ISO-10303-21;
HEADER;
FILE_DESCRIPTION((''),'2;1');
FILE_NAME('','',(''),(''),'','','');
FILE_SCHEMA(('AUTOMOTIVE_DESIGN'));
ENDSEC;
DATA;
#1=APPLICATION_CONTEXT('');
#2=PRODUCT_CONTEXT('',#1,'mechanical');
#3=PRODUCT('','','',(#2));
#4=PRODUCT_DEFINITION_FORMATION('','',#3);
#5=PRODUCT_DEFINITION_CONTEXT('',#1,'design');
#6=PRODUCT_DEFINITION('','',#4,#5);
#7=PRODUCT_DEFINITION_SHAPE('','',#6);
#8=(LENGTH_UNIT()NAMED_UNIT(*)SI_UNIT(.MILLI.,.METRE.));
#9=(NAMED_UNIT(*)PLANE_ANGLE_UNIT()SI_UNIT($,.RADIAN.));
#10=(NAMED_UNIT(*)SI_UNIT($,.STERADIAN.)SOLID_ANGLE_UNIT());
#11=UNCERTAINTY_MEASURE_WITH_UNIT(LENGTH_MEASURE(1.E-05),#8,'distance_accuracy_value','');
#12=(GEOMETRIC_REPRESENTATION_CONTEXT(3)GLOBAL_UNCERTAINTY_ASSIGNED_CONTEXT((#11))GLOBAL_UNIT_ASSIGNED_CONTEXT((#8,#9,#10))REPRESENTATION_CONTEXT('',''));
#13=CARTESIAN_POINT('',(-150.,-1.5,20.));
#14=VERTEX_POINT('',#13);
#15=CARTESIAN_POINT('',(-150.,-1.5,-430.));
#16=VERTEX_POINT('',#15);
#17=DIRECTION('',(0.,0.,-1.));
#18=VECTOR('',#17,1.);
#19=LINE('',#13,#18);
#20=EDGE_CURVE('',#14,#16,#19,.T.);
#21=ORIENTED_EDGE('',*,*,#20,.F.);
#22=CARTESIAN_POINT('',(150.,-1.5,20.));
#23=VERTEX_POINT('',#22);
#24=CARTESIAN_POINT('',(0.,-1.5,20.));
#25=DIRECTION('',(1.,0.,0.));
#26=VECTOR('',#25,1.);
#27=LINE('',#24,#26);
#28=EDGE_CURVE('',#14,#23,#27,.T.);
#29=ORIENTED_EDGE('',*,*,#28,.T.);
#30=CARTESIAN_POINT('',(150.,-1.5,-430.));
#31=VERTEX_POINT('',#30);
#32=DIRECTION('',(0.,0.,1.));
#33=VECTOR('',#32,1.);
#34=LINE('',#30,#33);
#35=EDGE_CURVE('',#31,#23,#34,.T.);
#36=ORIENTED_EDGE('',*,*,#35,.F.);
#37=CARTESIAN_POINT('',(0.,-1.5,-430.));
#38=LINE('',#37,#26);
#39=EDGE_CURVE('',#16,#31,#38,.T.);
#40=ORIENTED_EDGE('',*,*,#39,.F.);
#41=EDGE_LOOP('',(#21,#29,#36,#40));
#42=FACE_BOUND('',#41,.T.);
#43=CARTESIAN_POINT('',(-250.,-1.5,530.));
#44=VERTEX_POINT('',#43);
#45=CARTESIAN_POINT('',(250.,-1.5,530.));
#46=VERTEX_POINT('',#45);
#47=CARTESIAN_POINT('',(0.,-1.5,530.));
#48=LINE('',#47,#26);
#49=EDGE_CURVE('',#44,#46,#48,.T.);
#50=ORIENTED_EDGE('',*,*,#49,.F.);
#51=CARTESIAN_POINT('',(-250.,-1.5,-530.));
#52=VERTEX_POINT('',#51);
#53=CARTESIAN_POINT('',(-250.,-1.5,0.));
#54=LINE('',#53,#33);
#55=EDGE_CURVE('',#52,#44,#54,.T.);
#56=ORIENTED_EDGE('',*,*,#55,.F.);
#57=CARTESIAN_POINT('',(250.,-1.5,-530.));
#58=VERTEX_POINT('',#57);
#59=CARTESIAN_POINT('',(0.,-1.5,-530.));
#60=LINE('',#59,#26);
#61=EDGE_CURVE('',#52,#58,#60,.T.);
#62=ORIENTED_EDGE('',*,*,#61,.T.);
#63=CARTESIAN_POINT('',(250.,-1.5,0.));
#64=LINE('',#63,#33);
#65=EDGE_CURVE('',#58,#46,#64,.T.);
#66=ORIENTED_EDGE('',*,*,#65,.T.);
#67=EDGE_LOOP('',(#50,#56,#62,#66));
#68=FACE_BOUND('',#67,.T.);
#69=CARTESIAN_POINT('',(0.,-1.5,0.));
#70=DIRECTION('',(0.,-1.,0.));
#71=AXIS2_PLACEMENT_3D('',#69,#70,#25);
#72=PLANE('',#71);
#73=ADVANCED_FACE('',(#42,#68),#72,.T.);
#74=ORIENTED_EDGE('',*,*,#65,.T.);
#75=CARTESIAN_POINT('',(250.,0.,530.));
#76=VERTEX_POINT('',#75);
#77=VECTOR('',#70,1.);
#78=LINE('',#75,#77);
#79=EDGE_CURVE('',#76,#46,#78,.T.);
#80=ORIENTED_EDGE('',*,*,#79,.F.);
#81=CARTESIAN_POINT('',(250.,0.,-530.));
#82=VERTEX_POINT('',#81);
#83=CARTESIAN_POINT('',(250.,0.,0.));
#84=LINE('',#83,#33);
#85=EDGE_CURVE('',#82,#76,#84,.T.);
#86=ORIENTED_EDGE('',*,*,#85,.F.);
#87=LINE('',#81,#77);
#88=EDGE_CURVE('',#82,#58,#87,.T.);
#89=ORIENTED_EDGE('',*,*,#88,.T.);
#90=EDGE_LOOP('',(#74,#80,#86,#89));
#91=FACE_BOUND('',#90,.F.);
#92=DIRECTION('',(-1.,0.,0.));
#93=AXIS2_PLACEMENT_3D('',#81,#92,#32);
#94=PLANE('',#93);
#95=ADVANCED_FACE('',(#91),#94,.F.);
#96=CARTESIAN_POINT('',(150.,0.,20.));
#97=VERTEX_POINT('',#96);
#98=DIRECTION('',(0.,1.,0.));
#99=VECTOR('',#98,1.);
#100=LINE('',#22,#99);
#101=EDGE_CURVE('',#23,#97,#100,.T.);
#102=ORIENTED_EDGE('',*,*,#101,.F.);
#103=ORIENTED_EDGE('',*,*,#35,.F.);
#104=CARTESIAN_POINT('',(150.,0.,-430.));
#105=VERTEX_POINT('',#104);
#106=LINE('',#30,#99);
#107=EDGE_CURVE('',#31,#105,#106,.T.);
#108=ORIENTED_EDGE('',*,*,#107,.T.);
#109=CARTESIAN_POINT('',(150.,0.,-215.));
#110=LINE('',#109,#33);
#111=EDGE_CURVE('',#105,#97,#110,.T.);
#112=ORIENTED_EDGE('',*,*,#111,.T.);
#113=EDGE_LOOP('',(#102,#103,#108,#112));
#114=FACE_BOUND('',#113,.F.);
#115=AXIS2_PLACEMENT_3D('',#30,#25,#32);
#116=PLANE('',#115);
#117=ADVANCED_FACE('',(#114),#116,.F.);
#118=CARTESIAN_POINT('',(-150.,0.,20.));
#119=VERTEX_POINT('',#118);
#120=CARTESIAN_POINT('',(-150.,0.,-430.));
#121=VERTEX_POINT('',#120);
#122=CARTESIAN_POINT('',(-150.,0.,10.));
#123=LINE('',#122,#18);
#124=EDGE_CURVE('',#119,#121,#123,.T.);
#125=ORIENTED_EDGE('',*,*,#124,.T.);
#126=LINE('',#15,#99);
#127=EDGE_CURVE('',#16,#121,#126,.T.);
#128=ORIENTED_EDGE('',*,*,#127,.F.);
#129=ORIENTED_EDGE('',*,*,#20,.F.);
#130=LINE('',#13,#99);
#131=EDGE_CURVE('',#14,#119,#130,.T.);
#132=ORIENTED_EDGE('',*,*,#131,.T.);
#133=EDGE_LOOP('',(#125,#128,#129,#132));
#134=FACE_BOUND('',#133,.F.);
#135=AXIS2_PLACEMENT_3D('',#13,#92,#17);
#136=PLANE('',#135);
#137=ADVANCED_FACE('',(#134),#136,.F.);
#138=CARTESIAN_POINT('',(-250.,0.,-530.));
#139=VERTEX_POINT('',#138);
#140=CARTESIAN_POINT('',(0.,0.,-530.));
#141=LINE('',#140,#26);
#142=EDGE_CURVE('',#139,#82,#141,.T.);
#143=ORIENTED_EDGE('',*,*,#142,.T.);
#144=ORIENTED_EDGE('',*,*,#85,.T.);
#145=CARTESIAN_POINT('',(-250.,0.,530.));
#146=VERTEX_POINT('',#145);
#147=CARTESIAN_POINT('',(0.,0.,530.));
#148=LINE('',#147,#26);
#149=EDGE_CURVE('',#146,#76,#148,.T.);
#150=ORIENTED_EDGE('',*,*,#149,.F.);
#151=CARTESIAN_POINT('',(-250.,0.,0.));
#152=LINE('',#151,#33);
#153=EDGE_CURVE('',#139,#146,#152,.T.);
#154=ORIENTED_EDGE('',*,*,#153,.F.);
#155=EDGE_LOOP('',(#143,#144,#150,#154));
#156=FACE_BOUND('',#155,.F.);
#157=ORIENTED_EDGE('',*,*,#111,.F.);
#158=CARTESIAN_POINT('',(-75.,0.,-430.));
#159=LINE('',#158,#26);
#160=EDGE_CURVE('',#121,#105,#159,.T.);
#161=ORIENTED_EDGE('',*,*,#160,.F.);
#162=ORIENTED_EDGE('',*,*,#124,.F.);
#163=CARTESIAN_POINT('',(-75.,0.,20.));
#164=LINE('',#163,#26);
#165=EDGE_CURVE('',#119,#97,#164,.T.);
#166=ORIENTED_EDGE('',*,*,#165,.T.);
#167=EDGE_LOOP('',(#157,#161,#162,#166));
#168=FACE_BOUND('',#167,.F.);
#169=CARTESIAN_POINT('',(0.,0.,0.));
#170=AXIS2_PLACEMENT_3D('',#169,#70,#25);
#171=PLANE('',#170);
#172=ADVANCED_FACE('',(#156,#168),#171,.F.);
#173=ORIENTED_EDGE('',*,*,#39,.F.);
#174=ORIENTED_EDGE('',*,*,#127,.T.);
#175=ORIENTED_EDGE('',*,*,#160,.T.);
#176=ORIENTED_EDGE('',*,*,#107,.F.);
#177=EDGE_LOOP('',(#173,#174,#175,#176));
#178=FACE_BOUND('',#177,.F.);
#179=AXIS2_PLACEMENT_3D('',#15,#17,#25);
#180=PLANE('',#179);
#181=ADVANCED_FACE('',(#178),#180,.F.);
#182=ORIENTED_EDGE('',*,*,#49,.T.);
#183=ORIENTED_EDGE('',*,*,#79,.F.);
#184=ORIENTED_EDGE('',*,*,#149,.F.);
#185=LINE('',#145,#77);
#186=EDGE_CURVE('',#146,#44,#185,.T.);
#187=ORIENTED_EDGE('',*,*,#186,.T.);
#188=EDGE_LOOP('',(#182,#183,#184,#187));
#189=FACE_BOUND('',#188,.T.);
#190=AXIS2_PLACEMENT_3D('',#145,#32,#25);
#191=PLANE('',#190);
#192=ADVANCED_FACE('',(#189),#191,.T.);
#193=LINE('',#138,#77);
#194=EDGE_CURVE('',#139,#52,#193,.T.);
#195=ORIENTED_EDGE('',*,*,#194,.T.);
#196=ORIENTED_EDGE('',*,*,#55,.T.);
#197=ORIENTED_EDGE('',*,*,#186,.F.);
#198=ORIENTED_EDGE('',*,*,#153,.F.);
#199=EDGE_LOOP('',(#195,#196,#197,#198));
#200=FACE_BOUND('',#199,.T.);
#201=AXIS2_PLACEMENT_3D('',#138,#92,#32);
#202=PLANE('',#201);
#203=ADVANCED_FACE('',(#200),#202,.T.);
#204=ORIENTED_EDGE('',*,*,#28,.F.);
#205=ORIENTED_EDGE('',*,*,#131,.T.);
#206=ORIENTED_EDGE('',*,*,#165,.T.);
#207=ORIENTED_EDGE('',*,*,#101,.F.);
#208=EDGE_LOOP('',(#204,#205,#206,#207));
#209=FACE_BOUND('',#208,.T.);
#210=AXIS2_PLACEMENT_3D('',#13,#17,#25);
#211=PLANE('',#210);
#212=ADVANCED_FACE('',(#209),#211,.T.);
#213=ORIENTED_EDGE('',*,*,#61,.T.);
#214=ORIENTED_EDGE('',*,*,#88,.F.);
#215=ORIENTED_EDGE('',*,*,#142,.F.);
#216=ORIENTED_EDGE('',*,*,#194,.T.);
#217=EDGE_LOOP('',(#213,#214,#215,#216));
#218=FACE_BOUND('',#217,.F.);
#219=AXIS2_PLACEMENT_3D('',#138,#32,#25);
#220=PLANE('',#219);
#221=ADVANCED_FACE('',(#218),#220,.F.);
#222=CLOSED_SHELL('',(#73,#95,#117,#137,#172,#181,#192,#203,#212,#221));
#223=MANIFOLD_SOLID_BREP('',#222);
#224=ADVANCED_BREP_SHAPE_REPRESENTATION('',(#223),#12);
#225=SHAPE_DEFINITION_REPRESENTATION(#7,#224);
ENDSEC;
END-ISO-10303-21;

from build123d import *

# Parameters (mm, degrees)
F0_W     = 500
F0_H     = 1060
F1_DEPTH = 1.5
F2_W     = 300
F2_H     = 50
F2_H_2   = 400
F3_DEPTH = 25


with BuildPart() as f1:
    # F0 (on Front) → F1 (new body)
    with BuildSketch(Plane.XZ):
        Rectangle(F0_W, F0_H)
    extrude(amount=F1_DEPTH)

    # F2 (on face) → F3 (cut)
    with BuildSketch(Plane.XZ.offset(1.5)):
        with Locations((0, -5)):
            Rectangle(F2_W, F2_H)
        with Locations((0, -230)):
            Rectangle(F2_W, F2_H_2)
    extrude(amount=-F3_DEPTH, mode=Mode.SUBTRACT)


solid = f1.part
